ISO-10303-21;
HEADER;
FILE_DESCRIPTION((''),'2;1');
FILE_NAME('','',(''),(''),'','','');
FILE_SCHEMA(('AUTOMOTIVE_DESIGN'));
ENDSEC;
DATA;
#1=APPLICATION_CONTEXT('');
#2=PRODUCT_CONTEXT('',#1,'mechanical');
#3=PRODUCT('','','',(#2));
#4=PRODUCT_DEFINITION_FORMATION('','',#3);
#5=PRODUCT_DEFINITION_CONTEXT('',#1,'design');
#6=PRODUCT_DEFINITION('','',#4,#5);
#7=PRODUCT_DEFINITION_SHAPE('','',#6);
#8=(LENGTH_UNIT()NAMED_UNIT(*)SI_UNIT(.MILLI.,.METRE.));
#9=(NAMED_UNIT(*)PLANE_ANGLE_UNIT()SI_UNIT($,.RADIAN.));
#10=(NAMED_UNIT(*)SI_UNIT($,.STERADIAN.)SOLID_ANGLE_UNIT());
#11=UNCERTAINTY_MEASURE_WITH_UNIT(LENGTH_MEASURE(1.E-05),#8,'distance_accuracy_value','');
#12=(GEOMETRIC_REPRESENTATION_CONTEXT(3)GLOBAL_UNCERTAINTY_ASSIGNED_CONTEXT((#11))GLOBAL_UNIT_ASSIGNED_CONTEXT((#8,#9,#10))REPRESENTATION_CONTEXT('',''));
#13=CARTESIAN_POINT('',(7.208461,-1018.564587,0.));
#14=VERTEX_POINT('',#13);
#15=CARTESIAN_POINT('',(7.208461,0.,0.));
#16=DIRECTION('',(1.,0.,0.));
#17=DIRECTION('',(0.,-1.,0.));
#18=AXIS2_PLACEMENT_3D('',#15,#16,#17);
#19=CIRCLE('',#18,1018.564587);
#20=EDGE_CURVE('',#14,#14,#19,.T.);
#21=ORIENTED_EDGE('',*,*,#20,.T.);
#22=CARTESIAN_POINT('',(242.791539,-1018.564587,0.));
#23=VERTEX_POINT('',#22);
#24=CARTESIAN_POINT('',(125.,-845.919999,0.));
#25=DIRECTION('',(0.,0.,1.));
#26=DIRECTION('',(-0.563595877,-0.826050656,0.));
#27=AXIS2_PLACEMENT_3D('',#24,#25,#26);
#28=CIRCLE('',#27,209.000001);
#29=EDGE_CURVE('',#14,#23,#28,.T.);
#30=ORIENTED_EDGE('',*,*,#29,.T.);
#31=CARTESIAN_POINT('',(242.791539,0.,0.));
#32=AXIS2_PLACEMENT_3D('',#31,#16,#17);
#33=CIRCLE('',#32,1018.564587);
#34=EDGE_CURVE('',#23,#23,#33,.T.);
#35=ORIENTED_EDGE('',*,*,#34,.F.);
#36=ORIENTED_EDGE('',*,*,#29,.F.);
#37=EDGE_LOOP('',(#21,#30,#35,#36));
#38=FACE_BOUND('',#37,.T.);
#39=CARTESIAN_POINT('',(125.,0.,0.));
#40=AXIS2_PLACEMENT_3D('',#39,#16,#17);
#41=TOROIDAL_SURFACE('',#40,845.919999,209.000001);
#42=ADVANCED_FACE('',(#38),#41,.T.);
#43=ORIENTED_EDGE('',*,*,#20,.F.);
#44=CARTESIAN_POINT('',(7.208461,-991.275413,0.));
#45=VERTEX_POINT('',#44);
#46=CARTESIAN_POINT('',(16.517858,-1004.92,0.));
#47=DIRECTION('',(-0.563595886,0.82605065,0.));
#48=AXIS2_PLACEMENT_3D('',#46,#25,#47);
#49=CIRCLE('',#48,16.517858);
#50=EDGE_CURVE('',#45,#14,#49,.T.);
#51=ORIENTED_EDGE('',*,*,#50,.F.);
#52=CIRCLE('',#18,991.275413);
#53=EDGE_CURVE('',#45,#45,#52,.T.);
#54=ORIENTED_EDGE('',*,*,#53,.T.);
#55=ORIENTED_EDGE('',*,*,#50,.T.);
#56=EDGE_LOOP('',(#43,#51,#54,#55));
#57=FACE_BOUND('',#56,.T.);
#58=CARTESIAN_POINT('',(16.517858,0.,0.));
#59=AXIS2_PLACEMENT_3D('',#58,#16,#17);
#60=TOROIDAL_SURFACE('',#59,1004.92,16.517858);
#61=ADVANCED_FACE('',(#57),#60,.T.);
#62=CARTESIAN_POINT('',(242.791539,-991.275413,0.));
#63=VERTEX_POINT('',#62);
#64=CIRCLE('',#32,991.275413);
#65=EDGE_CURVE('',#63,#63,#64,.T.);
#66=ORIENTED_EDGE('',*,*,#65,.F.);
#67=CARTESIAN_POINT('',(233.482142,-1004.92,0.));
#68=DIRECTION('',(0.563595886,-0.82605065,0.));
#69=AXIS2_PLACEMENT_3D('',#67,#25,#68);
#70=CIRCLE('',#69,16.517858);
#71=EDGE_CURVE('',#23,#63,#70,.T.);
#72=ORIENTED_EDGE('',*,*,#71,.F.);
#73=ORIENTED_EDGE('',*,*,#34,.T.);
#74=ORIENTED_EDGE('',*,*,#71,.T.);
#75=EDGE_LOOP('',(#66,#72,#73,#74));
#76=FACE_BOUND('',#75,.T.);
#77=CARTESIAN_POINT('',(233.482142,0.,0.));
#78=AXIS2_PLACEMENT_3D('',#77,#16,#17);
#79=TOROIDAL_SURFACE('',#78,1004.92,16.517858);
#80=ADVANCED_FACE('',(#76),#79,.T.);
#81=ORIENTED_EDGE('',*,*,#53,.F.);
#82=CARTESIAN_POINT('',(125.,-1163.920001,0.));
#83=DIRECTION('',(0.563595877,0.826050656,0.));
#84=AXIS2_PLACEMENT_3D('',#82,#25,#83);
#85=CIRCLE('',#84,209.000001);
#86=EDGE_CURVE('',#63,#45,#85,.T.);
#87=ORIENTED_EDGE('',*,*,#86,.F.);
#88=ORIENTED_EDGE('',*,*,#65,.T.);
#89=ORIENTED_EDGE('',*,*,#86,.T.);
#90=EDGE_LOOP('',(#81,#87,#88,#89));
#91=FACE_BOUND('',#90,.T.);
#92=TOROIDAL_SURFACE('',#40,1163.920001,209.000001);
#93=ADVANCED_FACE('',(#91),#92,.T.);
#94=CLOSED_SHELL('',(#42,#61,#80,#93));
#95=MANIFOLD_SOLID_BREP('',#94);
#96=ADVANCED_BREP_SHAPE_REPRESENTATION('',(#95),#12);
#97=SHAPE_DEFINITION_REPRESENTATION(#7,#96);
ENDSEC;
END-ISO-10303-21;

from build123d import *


with BuildPart() as part:
    # Sketch → Revolution (revolve)
    with BuildSketch(Plane.XY):
        with BuildLine():
            ThreePointArc((7.208461, -991.275413), (0, -1004.92), (7.208461, -1018.564587))
            ThreePointArc((7.208461, -1018.564587), (125, -1054.92), (242.791539, -1018.564587))
            ThreePointArc((242.791539, -1018.564587), (250, -1004.92), (242.791539, -991.275413))
            ThreePointArc((242.791539, -991.275413), (125, -954.92), (7.208461, -991.275413))
        make_face()
    revolve(axis=Axis((0, 0, 0), (1, 0, 0)))


solid = part.part
